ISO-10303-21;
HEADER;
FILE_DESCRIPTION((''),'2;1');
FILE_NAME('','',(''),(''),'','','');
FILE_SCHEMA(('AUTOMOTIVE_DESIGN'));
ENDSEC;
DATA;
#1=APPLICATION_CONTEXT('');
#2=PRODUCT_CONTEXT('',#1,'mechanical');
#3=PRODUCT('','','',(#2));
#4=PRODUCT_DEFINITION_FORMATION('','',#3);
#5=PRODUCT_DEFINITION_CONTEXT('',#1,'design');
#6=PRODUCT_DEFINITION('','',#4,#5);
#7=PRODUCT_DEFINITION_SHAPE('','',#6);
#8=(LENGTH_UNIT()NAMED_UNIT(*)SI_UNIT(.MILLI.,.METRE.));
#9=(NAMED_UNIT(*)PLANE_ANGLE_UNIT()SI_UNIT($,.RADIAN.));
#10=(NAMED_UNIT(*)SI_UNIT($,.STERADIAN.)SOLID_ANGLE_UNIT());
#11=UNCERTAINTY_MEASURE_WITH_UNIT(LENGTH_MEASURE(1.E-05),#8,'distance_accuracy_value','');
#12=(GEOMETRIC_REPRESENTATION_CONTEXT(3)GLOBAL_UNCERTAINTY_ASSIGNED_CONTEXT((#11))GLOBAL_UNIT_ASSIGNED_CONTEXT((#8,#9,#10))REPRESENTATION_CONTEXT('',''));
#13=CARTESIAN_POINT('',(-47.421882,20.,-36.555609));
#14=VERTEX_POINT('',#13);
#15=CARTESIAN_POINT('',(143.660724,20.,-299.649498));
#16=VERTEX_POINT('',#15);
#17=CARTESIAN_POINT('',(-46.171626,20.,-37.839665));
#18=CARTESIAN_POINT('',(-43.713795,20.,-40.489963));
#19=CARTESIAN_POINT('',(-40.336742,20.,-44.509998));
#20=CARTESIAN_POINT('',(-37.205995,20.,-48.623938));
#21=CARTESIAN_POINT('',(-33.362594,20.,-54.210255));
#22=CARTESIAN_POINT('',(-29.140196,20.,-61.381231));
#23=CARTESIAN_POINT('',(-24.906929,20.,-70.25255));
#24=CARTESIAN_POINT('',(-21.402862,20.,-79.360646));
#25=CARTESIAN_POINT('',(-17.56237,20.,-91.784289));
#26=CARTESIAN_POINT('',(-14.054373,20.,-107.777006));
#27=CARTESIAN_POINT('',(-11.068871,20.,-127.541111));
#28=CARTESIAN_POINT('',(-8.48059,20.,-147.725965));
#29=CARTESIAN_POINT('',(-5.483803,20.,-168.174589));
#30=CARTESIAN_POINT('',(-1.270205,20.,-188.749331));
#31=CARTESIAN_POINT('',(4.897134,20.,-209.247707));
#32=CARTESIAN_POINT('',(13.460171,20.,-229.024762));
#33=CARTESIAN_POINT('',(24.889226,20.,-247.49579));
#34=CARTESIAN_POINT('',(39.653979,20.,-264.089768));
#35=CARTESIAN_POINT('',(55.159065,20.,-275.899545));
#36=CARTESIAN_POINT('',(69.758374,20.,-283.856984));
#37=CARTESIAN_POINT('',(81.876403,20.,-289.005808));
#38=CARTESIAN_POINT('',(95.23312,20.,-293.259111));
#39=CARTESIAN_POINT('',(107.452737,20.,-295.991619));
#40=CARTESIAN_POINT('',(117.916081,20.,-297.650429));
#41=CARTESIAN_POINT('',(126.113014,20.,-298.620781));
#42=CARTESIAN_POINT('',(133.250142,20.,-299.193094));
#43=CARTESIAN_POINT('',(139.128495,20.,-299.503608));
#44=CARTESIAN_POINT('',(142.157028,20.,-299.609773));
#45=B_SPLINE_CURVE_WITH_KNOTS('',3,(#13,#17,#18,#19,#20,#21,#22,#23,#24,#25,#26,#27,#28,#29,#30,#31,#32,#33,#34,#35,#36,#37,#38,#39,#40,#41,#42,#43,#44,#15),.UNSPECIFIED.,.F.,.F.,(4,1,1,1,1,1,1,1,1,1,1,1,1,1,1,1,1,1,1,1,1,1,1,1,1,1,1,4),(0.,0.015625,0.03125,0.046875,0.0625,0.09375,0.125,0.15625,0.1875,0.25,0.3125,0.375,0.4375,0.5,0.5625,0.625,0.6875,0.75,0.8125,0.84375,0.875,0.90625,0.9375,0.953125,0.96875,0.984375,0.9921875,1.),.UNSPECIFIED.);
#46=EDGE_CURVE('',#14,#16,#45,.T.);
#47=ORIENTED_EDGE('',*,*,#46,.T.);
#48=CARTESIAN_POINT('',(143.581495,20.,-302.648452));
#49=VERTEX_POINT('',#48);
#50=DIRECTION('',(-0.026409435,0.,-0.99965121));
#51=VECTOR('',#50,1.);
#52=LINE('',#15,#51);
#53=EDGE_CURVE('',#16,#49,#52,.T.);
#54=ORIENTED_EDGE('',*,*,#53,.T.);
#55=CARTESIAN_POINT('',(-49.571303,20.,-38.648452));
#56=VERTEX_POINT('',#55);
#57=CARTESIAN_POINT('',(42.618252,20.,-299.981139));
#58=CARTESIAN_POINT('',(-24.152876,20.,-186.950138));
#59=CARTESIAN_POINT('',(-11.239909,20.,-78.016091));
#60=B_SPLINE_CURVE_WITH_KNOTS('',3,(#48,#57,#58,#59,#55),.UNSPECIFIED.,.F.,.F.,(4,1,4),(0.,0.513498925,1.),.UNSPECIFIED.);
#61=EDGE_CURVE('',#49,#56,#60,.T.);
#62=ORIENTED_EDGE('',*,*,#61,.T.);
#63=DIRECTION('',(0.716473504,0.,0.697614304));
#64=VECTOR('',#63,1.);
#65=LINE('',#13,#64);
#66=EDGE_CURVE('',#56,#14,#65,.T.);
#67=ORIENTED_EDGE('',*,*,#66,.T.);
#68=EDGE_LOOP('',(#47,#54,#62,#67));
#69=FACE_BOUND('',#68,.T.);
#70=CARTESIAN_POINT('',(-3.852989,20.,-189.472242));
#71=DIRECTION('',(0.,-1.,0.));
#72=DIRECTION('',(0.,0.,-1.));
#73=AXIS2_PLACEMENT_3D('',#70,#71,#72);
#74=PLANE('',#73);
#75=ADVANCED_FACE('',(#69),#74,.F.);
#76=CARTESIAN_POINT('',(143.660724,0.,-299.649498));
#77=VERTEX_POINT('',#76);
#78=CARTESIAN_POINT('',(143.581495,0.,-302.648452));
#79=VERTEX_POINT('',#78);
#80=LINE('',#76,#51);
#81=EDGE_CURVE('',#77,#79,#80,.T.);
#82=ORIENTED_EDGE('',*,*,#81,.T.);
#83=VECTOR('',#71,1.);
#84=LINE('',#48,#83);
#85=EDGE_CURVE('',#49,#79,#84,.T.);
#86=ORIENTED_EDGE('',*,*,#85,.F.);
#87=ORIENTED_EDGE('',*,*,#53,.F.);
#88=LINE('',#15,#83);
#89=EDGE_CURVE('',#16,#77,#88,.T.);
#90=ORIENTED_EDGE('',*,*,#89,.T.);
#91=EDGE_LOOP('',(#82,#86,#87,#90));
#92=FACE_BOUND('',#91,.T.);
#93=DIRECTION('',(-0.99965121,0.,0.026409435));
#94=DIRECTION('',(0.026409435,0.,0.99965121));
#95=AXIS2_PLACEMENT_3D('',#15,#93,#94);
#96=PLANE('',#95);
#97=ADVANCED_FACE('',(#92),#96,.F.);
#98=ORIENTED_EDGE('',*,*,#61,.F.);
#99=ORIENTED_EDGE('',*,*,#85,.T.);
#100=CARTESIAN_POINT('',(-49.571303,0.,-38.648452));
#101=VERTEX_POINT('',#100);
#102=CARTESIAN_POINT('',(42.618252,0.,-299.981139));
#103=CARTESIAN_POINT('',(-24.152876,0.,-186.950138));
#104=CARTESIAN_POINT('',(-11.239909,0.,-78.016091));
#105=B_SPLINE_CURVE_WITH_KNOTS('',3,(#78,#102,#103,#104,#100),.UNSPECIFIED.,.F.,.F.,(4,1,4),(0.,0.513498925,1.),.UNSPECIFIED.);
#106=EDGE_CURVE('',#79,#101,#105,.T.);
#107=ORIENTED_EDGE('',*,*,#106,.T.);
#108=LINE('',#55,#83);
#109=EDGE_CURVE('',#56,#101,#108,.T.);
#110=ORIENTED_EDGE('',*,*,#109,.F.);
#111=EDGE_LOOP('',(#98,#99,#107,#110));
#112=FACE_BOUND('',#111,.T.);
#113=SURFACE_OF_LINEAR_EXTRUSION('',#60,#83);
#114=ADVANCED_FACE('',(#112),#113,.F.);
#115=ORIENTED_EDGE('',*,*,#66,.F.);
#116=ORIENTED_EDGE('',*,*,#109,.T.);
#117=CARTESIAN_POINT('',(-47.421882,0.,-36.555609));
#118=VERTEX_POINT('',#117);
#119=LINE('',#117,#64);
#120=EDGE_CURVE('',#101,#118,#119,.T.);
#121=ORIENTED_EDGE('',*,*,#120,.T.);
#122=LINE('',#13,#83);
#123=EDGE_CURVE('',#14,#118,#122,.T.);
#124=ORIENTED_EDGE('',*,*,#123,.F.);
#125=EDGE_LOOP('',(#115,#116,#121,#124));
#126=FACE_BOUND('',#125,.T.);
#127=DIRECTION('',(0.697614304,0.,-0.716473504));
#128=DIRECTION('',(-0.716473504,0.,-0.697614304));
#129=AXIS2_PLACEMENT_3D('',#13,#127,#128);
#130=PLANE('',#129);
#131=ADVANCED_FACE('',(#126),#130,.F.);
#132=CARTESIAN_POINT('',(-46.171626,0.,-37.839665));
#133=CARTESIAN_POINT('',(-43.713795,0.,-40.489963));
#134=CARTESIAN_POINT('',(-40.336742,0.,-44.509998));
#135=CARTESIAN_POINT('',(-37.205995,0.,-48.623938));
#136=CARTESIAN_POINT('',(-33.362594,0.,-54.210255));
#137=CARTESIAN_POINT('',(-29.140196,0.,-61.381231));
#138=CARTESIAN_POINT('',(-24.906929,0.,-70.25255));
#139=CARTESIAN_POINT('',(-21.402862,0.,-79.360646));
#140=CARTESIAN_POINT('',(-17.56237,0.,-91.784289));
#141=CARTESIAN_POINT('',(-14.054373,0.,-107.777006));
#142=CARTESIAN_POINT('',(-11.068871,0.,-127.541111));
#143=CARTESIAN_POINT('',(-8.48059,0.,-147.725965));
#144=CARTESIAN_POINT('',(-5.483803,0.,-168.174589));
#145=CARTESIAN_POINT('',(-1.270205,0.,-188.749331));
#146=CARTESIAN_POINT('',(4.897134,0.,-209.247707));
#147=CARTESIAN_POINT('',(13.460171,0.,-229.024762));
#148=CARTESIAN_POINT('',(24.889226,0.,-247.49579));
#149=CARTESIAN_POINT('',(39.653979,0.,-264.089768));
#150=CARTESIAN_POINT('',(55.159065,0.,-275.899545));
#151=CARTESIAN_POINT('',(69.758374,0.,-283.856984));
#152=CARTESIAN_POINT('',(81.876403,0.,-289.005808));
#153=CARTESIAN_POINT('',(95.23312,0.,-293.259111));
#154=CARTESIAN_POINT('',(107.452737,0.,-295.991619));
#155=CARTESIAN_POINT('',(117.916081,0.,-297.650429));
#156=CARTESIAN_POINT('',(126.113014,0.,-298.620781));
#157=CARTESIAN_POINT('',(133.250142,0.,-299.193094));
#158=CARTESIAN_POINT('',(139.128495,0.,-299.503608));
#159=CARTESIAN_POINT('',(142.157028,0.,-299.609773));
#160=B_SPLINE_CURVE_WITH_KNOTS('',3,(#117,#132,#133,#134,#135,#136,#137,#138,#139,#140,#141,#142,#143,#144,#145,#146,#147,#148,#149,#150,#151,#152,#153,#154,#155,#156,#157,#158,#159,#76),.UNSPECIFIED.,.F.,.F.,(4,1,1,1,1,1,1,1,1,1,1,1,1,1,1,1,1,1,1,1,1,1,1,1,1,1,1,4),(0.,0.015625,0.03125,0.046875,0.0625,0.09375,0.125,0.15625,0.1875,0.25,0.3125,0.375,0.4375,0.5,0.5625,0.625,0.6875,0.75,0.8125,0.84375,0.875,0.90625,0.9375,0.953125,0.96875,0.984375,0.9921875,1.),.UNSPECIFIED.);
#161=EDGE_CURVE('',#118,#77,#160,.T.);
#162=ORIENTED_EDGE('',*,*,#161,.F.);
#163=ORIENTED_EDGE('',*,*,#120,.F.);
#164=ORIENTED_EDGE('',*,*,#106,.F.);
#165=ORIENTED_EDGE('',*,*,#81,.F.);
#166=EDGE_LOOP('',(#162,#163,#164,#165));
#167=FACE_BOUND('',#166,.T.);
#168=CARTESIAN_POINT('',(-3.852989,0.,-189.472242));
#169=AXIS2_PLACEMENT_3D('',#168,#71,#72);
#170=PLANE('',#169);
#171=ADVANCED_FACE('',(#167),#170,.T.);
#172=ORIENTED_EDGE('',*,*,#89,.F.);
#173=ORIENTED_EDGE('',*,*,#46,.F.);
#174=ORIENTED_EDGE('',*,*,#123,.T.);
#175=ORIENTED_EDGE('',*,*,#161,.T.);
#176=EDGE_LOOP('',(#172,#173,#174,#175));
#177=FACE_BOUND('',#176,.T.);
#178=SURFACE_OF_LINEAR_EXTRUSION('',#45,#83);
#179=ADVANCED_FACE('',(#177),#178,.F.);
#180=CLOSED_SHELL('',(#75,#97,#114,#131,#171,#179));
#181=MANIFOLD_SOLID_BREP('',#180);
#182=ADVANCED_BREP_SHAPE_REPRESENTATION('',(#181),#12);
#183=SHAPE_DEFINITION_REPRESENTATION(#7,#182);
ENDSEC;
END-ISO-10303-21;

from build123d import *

# Parameters (mm, degrees)
BOSS_EXTRUDE1_DEPTH = 20


with BuildPart() as part:
    # Sketch1 → Boss-Extrude1 (new body)
    with BuildSketch(Plane(origin=(0, 0, 0), x_dir=(1, 0, 0), z_dir=(0, 1, 0))):
        with BuildLine():
            Line((-47.42188237, 36.555608943), (-49.571302883, 38.648451856))
            add(Edge.make_bspline(
                [(143.581495405, 302.648451856), (42.61825181, 299.98113935), (-24.152876062, 186.950138099), (-11.239908737, 78.01609113), (-49.571302883, 38.648451856)],
                knots=[0, 0, 0, 0, 0.513498925, 1, 1, 1, 1], degree=3))
            Line((143.581495405, 302.648451856), (143.660723709, 299.649498226))
            add(Edge.make_bspline(
                [(143.660723709, 299.649498226), (142.157027602, 299.609772606), (139.128494961, 299.50360832), (133.250141821, 299.193093906), (126.113013538, 298.620780731), (117.916080592, 297.650428945), (107.452737018, 295.991619255), (95.233119631, 293.259110657), (81.876402717, 289.005808151), (69.758374327, 283.856984497), (55.159065144, 275.899545458), (39.653979248, 264.089767786), (24.889226379, 247.49579022), (13.460170979, 229.02476214), (4.89713428, 209.247707102), (-1.270204713, 188.749330599), (-5.483803365, 168.174588865), (-8.480589587, 147.725965066), (-11.068870544, 127.541110755), (-14.054373266, 107.777005808), (-17.56237027, 91.784289384), (-21.402861967, 79.360646252), (-24.906929371, 70.252550116), (-29.140195841, 61.381230985), (-33.362593923, 54.21025541), (-37.205995237, 48.623938067), (-40.336741542, 44.509998318), (-43.713794958, 40.489962948), (-46.171626005, 37.83966455), (-47.42188237, 36.555608943)],
                knots=[0, 0, 0, 0, 0.0078125, 0.015625, 0.03125, 0.046875, 0.0625, 0.09375, 0.125, 0.15625, 0.1875, 0.25, 0.3125, 0.375, 0.4375, 0.5, 0.5625, 0.625, 0.6875, 0.75, 0.8125, 0.84375, 0.875, 0.90625, 0.9375, 0.953125, 0.96875, 0.984375, 1, 1, 1, 1], degree=3))
        make_face()
    extrude(amount=BOSS_EXTRUDE1_DEPTH)


solid = part.part
